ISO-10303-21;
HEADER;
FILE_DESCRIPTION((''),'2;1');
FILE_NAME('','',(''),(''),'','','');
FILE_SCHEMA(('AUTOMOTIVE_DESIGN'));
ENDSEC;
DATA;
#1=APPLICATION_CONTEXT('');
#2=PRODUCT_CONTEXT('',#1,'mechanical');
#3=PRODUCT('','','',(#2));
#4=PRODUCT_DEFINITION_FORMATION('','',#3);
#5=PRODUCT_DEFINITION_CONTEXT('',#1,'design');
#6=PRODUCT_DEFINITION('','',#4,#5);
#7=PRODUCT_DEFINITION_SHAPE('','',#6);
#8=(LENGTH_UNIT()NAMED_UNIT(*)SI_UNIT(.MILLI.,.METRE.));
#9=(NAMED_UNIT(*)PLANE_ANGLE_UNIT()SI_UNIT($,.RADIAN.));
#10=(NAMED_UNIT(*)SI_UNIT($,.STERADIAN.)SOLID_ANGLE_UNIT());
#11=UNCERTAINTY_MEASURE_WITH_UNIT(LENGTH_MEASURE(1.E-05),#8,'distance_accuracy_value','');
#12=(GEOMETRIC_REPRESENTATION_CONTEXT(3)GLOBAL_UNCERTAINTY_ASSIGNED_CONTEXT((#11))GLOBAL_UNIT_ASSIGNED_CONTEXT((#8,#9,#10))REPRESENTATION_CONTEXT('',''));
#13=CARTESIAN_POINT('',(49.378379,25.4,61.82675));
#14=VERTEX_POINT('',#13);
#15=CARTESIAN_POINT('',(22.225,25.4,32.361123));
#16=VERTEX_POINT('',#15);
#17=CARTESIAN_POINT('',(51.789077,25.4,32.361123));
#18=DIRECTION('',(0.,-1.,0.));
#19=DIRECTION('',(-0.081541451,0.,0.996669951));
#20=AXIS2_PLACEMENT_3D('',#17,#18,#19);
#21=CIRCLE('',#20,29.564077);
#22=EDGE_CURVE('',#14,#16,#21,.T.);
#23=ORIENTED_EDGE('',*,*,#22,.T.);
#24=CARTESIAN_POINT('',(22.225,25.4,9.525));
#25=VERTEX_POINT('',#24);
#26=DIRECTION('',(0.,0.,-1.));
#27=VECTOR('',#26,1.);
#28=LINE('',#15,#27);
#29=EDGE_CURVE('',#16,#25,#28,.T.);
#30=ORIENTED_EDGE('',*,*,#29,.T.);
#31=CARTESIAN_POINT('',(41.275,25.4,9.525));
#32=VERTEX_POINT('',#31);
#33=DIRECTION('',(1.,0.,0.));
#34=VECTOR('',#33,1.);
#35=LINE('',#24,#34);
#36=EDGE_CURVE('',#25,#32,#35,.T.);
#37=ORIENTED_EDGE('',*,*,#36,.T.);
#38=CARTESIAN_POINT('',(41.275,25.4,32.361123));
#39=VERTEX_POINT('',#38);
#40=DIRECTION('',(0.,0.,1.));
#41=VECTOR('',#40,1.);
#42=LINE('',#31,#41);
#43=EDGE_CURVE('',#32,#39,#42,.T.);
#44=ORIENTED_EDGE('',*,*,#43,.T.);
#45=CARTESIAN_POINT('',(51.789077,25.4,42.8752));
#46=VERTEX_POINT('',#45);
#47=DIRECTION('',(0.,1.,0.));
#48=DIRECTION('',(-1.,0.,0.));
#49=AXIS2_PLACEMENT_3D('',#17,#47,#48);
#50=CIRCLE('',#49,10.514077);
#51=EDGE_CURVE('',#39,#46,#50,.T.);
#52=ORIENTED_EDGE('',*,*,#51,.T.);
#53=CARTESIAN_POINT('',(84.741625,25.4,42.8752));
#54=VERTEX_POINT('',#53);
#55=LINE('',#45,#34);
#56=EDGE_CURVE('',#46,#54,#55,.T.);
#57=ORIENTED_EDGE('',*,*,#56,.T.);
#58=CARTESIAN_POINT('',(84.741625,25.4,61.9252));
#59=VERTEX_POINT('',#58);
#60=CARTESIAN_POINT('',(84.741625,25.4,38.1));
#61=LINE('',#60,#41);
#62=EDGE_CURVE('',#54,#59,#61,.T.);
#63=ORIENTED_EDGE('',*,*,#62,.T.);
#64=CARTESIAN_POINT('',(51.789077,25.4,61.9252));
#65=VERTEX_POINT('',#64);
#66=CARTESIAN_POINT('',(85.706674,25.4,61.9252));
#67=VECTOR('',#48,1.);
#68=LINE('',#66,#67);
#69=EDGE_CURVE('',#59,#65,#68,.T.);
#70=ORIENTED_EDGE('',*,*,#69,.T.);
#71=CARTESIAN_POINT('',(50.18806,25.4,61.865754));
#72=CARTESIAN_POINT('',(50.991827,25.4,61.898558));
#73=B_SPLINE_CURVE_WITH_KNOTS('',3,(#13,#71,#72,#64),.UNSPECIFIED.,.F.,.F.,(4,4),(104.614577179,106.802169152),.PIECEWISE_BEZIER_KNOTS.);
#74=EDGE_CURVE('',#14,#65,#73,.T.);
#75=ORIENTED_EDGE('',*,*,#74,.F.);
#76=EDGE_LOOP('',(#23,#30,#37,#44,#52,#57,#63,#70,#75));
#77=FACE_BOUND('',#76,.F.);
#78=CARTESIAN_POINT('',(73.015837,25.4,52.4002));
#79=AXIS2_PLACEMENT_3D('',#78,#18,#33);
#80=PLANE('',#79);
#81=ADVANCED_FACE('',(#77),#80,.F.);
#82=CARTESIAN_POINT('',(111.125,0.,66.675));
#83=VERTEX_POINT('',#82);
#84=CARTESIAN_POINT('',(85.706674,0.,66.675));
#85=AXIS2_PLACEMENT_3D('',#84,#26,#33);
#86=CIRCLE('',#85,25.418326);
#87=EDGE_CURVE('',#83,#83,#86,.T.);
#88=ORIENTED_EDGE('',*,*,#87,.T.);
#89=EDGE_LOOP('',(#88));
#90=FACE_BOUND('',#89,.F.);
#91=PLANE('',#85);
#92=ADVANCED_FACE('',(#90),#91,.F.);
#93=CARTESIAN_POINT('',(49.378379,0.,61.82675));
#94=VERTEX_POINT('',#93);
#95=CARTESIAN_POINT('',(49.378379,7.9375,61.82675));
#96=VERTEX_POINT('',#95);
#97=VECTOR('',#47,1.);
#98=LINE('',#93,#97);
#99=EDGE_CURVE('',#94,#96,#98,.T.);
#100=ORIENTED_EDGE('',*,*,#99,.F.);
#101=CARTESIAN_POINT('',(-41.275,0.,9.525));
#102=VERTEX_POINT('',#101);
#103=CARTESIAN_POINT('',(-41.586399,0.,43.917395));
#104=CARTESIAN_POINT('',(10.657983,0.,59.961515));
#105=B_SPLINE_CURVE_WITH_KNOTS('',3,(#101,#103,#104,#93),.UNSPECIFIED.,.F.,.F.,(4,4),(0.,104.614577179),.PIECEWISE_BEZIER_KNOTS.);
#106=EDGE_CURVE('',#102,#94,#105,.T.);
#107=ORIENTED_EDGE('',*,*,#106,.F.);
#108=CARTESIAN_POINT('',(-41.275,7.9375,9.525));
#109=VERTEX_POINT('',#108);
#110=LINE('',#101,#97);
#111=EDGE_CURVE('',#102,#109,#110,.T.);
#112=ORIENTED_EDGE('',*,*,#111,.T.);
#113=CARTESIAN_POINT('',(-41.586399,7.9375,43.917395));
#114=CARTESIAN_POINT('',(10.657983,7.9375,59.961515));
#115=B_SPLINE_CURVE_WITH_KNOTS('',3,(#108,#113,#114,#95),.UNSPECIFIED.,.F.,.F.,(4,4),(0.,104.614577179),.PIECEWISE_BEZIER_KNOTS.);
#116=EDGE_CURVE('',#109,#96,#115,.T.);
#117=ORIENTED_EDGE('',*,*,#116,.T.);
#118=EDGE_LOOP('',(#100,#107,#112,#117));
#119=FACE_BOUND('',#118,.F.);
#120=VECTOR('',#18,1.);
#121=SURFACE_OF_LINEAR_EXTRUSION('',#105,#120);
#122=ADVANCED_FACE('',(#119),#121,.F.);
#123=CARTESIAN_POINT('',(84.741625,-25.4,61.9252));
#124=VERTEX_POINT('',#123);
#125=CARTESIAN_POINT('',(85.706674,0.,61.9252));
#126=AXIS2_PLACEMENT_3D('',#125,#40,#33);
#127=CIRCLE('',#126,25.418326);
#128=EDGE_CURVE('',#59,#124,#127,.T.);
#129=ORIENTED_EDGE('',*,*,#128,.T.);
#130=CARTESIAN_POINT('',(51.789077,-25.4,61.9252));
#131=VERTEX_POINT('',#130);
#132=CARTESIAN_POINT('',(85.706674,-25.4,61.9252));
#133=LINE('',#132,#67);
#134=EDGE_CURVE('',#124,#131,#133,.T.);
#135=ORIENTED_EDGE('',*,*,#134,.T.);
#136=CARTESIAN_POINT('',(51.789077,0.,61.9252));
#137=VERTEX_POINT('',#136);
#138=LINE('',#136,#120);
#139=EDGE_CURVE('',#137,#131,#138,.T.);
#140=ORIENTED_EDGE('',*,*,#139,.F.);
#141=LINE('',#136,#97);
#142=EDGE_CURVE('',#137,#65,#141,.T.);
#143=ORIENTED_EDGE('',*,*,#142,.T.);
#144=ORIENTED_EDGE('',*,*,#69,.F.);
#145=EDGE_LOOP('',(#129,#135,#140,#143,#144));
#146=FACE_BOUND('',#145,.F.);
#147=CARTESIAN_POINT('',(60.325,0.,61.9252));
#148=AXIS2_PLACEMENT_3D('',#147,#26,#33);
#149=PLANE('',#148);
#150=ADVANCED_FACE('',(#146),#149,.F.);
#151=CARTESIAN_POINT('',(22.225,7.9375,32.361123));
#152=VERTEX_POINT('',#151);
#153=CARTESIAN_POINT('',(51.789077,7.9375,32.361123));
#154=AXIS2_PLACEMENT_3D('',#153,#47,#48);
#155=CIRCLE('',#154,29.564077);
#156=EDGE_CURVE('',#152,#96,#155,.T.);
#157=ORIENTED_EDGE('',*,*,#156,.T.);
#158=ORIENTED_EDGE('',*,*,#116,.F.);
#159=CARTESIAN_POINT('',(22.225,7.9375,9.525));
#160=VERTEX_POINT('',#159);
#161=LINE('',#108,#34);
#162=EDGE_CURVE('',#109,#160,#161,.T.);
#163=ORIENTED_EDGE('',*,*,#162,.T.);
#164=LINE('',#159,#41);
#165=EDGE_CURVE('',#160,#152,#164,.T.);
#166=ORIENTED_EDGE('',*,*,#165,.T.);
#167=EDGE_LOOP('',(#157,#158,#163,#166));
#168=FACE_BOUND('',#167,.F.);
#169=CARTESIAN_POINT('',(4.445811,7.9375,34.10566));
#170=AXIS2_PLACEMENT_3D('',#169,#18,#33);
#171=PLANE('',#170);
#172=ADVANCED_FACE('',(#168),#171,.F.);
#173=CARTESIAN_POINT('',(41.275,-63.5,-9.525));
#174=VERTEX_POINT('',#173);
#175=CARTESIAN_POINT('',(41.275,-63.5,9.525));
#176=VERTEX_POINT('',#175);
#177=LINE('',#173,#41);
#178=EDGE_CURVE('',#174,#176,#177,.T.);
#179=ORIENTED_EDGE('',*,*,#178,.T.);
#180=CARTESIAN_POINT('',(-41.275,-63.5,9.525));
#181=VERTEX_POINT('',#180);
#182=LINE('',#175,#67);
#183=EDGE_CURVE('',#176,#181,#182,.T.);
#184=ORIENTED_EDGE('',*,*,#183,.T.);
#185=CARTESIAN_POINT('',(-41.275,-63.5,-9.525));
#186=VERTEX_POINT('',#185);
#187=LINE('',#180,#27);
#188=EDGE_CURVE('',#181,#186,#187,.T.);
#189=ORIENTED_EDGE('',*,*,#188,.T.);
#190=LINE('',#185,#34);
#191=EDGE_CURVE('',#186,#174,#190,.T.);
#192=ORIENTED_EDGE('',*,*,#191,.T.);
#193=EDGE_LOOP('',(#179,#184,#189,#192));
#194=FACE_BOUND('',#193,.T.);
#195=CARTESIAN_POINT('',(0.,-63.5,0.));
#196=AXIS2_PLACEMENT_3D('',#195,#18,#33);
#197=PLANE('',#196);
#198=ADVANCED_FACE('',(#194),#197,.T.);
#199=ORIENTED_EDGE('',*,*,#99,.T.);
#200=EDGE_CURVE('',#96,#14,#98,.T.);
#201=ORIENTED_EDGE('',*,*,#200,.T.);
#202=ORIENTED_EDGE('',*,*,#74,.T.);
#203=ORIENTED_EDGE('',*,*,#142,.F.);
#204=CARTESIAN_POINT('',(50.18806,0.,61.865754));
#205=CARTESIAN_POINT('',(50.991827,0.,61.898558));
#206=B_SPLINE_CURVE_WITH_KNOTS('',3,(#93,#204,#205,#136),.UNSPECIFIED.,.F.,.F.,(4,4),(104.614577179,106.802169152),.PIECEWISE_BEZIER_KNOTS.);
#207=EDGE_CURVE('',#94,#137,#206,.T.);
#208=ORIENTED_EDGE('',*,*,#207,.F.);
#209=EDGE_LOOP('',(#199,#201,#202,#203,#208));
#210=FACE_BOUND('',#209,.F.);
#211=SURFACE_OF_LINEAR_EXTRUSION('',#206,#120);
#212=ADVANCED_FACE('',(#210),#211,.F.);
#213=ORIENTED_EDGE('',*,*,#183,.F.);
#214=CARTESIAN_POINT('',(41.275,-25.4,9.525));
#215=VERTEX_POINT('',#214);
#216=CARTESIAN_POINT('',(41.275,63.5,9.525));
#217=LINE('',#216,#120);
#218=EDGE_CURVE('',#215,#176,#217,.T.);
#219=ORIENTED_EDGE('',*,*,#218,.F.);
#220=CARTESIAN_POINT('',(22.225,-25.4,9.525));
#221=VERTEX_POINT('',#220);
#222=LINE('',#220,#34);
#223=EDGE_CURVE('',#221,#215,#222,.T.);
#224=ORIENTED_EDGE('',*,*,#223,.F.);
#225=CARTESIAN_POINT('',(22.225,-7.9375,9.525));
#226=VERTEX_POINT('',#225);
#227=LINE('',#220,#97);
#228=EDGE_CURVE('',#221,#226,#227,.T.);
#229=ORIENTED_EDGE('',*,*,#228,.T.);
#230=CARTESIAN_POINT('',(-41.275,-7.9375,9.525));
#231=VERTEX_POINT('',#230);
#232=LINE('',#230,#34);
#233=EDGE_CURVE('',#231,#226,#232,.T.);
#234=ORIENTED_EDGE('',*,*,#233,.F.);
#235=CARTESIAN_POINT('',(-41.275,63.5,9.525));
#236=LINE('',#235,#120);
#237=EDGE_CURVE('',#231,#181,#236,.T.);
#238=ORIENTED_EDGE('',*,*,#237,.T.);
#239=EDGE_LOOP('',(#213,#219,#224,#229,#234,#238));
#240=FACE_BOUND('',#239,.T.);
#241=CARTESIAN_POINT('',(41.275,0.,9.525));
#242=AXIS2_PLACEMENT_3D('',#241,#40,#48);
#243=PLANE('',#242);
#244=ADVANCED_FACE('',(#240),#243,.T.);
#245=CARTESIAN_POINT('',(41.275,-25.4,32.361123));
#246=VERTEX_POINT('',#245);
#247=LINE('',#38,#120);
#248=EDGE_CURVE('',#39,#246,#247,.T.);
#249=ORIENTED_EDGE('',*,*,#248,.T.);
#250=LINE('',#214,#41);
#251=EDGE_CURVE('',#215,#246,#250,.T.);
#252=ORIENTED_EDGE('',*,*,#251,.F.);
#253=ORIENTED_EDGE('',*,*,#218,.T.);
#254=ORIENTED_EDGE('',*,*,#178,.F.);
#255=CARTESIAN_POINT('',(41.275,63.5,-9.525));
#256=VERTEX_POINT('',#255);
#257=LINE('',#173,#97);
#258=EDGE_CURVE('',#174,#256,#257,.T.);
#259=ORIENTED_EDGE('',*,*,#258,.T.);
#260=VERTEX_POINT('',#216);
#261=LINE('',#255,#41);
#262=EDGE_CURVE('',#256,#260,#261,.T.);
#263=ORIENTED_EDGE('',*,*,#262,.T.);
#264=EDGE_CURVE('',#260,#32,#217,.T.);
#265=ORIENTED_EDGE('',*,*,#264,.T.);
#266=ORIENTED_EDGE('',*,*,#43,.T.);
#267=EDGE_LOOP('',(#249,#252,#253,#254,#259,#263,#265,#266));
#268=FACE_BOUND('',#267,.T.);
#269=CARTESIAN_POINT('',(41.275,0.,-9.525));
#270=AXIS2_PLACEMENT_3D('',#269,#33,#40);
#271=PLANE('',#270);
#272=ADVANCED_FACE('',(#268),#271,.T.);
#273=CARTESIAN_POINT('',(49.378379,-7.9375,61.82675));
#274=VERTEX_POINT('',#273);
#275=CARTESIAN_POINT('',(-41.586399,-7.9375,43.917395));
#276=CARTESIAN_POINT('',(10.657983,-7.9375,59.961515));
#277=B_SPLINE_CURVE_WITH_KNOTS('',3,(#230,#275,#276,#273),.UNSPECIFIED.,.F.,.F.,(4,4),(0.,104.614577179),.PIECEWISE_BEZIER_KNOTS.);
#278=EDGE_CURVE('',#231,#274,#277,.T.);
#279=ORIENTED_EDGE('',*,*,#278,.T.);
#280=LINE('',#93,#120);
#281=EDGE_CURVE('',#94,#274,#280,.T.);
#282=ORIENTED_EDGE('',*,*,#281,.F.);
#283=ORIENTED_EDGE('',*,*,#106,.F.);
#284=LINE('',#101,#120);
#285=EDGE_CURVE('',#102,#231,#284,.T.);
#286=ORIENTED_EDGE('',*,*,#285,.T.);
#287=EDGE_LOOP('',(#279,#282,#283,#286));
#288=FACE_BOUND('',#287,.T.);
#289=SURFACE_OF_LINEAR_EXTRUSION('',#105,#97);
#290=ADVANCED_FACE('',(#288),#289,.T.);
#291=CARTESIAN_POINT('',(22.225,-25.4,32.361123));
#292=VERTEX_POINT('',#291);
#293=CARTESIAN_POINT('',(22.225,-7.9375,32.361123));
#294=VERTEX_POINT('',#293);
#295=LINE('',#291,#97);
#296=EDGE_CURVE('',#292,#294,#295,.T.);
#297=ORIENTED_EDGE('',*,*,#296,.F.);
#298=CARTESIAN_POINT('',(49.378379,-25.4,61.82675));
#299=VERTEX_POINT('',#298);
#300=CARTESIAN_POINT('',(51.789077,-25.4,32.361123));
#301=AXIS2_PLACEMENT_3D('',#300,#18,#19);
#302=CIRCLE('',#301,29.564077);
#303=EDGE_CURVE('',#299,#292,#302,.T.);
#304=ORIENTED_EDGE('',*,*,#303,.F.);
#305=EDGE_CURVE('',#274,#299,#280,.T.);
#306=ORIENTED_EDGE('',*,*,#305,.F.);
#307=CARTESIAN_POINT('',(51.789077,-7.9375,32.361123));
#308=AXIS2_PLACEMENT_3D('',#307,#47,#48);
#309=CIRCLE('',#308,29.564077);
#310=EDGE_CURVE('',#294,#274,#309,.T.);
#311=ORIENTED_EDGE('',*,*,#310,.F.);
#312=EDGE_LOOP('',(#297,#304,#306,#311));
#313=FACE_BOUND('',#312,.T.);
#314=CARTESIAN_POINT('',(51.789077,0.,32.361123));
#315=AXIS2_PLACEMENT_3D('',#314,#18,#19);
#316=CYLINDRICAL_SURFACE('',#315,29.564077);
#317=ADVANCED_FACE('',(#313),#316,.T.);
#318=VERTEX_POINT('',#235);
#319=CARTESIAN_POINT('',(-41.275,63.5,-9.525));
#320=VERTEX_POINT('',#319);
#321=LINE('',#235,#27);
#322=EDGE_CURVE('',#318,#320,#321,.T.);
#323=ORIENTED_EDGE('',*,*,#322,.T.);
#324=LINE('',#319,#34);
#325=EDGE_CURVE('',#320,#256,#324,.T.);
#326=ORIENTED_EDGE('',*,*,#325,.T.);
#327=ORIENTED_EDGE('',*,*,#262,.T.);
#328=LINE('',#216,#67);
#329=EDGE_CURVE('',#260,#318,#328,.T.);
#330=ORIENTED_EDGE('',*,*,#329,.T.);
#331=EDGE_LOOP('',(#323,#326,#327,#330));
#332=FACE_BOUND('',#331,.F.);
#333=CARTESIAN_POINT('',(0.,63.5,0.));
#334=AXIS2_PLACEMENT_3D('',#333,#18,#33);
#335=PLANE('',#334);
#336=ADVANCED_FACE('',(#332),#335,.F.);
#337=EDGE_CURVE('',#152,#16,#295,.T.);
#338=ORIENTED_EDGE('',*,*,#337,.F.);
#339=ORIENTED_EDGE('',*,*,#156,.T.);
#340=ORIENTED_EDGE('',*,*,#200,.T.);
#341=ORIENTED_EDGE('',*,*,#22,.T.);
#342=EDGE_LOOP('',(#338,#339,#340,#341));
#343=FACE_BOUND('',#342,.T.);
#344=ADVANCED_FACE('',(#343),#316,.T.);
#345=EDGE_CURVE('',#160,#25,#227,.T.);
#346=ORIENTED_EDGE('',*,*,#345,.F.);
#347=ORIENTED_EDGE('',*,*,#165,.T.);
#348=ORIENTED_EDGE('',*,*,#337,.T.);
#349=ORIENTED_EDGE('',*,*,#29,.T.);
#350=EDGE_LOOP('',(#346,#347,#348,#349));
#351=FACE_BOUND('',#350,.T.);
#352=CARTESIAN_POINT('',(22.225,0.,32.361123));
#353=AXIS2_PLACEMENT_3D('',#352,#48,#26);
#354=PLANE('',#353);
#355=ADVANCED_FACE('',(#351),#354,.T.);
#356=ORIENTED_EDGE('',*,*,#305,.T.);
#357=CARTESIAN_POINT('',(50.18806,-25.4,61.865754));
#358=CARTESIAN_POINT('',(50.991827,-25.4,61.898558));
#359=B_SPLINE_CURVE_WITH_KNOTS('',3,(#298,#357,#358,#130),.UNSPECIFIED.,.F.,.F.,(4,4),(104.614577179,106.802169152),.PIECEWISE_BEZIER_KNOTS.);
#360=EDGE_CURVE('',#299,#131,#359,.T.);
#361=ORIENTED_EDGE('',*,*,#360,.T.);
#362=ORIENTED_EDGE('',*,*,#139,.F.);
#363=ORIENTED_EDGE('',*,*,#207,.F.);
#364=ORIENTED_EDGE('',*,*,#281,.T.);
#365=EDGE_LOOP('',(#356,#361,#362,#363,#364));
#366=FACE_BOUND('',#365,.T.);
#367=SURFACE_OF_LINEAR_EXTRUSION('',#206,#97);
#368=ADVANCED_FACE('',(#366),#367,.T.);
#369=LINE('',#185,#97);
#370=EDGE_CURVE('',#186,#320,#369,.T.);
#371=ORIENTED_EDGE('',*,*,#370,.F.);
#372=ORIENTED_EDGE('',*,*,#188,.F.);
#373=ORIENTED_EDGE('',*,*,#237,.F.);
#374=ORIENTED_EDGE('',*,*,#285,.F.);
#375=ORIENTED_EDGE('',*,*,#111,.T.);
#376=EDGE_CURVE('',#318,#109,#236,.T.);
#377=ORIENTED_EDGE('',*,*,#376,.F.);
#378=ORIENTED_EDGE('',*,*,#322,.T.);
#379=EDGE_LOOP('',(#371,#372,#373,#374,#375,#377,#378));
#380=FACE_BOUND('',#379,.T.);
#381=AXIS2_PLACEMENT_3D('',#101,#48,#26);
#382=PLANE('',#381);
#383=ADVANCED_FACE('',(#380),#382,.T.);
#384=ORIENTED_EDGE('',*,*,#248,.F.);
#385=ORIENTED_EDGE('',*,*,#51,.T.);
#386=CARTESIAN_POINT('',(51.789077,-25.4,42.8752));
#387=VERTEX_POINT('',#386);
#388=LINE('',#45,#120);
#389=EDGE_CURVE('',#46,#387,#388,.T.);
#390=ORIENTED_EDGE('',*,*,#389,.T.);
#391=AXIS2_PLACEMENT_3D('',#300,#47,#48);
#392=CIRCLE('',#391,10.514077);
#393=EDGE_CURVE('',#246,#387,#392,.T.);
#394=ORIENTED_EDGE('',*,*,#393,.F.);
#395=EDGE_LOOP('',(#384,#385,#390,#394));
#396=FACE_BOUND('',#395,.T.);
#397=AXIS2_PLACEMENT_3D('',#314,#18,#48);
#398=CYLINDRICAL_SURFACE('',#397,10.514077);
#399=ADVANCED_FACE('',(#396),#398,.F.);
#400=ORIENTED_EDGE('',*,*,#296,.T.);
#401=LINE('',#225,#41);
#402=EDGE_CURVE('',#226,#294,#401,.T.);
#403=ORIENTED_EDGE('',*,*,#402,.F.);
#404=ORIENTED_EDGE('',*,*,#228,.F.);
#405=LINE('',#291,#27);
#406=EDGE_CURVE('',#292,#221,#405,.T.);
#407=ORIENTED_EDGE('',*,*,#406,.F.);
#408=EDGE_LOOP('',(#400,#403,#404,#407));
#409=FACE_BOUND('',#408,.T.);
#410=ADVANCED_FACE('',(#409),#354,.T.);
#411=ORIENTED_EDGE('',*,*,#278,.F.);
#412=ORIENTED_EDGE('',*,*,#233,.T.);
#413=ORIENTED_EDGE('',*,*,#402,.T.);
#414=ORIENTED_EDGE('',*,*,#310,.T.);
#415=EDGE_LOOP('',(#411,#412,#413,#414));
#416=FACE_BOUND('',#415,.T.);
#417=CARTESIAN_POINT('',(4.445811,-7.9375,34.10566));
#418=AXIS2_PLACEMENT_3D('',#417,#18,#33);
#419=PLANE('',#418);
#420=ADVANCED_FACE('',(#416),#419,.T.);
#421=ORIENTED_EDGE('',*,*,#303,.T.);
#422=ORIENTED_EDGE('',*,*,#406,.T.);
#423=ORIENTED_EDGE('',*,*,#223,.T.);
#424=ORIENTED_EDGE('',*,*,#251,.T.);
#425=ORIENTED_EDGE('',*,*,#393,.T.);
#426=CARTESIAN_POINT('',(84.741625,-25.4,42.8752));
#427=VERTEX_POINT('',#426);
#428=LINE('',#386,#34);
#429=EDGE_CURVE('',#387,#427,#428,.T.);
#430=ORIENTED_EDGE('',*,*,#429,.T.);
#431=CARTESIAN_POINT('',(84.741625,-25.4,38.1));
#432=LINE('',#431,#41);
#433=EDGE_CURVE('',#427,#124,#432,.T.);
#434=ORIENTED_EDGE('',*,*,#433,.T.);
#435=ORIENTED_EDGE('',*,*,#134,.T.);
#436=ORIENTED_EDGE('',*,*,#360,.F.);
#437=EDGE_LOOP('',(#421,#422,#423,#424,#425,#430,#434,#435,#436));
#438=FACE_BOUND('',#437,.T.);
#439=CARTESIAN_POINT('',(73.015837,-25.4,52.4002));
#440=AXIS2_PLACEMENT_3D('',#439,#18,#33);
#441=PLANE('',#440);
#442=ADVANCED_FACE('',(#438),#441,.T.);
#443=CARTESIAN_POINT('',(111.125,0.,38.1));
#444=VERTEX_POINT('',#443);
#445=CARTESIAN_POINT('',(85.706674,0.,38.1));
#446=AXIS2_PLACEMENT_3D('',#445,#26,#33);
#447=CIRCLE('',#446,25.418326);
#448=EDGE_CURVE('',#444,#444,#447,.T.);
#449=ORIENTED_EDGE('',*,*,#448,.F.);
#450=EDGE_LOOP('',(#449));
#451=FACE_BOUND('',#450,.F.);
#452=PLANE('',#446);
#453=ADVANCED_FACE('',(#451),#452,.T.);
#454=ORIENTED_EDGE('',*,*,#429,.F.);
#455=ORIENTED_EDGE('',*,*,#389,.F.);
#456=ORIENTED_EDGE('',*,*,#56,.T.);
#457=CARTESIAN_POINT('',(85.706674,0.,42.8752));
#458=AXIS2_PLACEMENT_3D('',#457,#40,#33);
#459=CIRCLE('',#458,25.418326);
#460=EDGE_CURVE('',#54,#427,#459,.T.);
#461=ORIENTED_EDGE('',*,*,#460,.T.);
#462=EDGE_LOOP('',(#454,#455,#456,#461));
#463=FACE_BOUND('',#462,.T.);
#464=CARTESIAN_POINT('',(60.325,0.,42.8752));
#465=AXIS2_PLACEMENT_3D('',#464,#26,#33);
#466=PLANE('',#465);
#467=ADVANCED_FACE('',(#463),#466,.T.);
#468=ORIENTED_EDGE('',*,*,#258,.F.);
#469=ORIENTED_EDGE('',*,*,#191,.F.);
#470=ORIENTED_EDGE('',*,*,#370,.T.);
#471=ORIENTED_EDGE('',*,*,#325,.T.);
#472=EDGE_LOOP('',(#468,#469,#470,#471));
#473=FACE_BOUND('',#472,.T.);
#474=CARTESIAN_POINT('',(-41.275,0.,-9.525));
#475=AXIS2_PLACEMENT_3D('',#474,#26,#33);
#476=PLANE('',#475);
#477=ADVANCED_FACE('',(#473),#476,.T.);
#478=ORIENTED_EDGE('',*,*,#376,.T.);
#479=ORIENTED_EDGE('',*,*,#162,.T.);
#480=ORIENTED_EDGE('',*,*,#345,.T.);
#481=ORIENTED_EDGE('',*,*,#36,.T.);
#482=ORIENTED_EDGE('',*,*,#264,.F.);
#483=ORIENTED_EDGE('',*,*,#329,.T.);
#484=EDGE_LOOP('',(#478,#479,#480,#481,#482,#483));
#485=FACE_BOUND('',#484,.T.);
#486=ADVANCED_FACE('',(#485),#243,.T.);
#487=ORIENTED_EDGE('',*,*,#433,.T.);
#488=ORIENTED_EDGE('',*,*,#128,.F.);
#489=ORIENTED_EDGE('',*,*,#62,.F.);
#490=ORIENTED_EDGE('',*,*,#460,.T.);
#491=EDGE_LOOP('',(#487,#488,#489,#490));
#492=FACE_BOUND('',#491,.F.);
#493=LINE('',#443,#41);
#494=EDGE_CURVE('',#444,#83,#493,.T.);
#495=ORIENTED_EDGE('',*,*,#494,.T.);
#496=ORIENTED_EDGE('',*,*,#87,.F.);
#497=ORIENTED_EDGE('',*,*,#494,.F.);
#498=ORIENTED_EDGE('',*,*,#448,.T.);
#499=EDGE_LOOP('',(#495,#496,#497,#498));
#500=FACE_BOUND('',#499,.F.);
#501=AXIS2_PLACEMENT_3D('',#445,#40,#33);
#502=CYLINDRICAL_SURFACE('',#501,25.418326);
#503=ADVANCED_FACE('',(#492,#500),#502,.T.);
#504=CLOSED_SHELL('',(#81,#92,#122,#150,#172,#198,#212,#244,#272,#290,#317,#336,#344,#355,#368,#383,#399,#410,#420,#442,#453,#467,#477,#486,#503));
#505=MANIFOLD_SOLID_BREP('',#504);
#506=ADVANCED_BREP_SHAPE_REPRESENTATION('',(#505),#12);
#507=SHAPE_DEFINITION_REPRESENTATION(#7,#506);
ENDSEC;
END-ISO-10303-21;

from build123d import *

# Parameters (mm, degrees)
F1_DEPTH = 63.5
F2_DEPTH = 25.4
F0_W     = 25.3816735625
F0_H     = 19.05
F3_DEPTH = 25.4
F5_DEPTH = 7.9375


with BuildPart() as f1:
    # F0 (on Front) → F1 (new body, symmetric)
    with BuildSketch(Plane.XZ):
        Polygon((41.275, -9.525), (41.275, 9.525), (22.225, 9.525), (-41.275, 9.525), (-41.275, -9.525), align=None)
    extrude(amount=F1_DEPTH, both=True)

    # F0 (on Front) → F2 (join, symmetric)
    with BuildSketch(Plane.XZ):
        with BuildLine():
            Line((22.225, 9.525), (41.275, 9.525))
            Line((41.275, 9.525), (41.275, 32.3611232806))
            ThreePointArc((41.275, 32.3611232806), (44.3545017732, 39.7956982268), (51.7890767194, 42.8752))
            Line((51.7890767194, 42.8752), (60.325, 42.8752))
            Line((60.325, 42.8752), (60.325, 61.9252))
            Line((60.325, 61.9252), (51.7890767194, 61.9252))
            add(Edge.make_bspline(
                [(49.378379009, 61.8267501842), (50.188059931, 61.8657540614), (50.9918272392, 61.8985579588), (51.7890767194, 61.9252)],
                knots=[104.6145771786, 104.6145771786, 104.6145771786, 104.6145771786, 106.8021691525, 106.8021691525, 106.8021691525, 106.8021691525], degree=3))
            ThreePointArc((49.378379009, 61.8267501842), (30.0485076798, 52.3956507296), (22.225, 32.3611232806))
            Line((22.225, 32.3611232806), (22.225, 9.525))
        make_face()
    extrude(amount=F2_DEPTH, both=True)

    # F0 (on Front) → F3 (join, symmetric)
    with BuildSketch(Plane.XZ):
        with Locations((73.0158367813, 52.4002)):
            Rectangle(F0_W, F0_H)
    extrude(amount=F3_DEPTH, both=True)

    # F0 (on Front) → F4 (revolve)
    with BuildSketch(Plane.XZ):
        Polygon((85.7066735625, 61.9252), (85.7066735625, 42.8752), (85.7066735625, 38.1), (111.125, 38.1), (111.125, 66.675), (85.7066735625, 66.675), align=None)
    revolve(axis=Axis((85.7066735625, 0, 52.3875), (0, 0, -1)))

    # F0 (on Front) → F5 (join, symmetric)
    with BuildSketch(Plane.XZ):
        with BuildLine():
            Line((-41.275, 9.525), (22.225, 9.525))
            Line((22.225, 9.525), (22.225, 32.3611232806))
            ThreePointArc((22.225, 32.3611232806), (30.0485076798, 52.3956507296), (49.378379009, 61.8267501842))
            add(Edge.make_bspline(
                [(-41.275, 9.525), (-41.5863992268, 43.9173953964), (10.6579831052, 59.9615147216), (49.378379009, 61.8267501842)],
                knots=[0, 0, 0, 0, 104.6145771786, 104.6145771786, 104.6145771786, 104.6145771786], degree=3))
        make_face()
    extrude(amount=F5_DEPTH, both=True)


solid = f1.part
